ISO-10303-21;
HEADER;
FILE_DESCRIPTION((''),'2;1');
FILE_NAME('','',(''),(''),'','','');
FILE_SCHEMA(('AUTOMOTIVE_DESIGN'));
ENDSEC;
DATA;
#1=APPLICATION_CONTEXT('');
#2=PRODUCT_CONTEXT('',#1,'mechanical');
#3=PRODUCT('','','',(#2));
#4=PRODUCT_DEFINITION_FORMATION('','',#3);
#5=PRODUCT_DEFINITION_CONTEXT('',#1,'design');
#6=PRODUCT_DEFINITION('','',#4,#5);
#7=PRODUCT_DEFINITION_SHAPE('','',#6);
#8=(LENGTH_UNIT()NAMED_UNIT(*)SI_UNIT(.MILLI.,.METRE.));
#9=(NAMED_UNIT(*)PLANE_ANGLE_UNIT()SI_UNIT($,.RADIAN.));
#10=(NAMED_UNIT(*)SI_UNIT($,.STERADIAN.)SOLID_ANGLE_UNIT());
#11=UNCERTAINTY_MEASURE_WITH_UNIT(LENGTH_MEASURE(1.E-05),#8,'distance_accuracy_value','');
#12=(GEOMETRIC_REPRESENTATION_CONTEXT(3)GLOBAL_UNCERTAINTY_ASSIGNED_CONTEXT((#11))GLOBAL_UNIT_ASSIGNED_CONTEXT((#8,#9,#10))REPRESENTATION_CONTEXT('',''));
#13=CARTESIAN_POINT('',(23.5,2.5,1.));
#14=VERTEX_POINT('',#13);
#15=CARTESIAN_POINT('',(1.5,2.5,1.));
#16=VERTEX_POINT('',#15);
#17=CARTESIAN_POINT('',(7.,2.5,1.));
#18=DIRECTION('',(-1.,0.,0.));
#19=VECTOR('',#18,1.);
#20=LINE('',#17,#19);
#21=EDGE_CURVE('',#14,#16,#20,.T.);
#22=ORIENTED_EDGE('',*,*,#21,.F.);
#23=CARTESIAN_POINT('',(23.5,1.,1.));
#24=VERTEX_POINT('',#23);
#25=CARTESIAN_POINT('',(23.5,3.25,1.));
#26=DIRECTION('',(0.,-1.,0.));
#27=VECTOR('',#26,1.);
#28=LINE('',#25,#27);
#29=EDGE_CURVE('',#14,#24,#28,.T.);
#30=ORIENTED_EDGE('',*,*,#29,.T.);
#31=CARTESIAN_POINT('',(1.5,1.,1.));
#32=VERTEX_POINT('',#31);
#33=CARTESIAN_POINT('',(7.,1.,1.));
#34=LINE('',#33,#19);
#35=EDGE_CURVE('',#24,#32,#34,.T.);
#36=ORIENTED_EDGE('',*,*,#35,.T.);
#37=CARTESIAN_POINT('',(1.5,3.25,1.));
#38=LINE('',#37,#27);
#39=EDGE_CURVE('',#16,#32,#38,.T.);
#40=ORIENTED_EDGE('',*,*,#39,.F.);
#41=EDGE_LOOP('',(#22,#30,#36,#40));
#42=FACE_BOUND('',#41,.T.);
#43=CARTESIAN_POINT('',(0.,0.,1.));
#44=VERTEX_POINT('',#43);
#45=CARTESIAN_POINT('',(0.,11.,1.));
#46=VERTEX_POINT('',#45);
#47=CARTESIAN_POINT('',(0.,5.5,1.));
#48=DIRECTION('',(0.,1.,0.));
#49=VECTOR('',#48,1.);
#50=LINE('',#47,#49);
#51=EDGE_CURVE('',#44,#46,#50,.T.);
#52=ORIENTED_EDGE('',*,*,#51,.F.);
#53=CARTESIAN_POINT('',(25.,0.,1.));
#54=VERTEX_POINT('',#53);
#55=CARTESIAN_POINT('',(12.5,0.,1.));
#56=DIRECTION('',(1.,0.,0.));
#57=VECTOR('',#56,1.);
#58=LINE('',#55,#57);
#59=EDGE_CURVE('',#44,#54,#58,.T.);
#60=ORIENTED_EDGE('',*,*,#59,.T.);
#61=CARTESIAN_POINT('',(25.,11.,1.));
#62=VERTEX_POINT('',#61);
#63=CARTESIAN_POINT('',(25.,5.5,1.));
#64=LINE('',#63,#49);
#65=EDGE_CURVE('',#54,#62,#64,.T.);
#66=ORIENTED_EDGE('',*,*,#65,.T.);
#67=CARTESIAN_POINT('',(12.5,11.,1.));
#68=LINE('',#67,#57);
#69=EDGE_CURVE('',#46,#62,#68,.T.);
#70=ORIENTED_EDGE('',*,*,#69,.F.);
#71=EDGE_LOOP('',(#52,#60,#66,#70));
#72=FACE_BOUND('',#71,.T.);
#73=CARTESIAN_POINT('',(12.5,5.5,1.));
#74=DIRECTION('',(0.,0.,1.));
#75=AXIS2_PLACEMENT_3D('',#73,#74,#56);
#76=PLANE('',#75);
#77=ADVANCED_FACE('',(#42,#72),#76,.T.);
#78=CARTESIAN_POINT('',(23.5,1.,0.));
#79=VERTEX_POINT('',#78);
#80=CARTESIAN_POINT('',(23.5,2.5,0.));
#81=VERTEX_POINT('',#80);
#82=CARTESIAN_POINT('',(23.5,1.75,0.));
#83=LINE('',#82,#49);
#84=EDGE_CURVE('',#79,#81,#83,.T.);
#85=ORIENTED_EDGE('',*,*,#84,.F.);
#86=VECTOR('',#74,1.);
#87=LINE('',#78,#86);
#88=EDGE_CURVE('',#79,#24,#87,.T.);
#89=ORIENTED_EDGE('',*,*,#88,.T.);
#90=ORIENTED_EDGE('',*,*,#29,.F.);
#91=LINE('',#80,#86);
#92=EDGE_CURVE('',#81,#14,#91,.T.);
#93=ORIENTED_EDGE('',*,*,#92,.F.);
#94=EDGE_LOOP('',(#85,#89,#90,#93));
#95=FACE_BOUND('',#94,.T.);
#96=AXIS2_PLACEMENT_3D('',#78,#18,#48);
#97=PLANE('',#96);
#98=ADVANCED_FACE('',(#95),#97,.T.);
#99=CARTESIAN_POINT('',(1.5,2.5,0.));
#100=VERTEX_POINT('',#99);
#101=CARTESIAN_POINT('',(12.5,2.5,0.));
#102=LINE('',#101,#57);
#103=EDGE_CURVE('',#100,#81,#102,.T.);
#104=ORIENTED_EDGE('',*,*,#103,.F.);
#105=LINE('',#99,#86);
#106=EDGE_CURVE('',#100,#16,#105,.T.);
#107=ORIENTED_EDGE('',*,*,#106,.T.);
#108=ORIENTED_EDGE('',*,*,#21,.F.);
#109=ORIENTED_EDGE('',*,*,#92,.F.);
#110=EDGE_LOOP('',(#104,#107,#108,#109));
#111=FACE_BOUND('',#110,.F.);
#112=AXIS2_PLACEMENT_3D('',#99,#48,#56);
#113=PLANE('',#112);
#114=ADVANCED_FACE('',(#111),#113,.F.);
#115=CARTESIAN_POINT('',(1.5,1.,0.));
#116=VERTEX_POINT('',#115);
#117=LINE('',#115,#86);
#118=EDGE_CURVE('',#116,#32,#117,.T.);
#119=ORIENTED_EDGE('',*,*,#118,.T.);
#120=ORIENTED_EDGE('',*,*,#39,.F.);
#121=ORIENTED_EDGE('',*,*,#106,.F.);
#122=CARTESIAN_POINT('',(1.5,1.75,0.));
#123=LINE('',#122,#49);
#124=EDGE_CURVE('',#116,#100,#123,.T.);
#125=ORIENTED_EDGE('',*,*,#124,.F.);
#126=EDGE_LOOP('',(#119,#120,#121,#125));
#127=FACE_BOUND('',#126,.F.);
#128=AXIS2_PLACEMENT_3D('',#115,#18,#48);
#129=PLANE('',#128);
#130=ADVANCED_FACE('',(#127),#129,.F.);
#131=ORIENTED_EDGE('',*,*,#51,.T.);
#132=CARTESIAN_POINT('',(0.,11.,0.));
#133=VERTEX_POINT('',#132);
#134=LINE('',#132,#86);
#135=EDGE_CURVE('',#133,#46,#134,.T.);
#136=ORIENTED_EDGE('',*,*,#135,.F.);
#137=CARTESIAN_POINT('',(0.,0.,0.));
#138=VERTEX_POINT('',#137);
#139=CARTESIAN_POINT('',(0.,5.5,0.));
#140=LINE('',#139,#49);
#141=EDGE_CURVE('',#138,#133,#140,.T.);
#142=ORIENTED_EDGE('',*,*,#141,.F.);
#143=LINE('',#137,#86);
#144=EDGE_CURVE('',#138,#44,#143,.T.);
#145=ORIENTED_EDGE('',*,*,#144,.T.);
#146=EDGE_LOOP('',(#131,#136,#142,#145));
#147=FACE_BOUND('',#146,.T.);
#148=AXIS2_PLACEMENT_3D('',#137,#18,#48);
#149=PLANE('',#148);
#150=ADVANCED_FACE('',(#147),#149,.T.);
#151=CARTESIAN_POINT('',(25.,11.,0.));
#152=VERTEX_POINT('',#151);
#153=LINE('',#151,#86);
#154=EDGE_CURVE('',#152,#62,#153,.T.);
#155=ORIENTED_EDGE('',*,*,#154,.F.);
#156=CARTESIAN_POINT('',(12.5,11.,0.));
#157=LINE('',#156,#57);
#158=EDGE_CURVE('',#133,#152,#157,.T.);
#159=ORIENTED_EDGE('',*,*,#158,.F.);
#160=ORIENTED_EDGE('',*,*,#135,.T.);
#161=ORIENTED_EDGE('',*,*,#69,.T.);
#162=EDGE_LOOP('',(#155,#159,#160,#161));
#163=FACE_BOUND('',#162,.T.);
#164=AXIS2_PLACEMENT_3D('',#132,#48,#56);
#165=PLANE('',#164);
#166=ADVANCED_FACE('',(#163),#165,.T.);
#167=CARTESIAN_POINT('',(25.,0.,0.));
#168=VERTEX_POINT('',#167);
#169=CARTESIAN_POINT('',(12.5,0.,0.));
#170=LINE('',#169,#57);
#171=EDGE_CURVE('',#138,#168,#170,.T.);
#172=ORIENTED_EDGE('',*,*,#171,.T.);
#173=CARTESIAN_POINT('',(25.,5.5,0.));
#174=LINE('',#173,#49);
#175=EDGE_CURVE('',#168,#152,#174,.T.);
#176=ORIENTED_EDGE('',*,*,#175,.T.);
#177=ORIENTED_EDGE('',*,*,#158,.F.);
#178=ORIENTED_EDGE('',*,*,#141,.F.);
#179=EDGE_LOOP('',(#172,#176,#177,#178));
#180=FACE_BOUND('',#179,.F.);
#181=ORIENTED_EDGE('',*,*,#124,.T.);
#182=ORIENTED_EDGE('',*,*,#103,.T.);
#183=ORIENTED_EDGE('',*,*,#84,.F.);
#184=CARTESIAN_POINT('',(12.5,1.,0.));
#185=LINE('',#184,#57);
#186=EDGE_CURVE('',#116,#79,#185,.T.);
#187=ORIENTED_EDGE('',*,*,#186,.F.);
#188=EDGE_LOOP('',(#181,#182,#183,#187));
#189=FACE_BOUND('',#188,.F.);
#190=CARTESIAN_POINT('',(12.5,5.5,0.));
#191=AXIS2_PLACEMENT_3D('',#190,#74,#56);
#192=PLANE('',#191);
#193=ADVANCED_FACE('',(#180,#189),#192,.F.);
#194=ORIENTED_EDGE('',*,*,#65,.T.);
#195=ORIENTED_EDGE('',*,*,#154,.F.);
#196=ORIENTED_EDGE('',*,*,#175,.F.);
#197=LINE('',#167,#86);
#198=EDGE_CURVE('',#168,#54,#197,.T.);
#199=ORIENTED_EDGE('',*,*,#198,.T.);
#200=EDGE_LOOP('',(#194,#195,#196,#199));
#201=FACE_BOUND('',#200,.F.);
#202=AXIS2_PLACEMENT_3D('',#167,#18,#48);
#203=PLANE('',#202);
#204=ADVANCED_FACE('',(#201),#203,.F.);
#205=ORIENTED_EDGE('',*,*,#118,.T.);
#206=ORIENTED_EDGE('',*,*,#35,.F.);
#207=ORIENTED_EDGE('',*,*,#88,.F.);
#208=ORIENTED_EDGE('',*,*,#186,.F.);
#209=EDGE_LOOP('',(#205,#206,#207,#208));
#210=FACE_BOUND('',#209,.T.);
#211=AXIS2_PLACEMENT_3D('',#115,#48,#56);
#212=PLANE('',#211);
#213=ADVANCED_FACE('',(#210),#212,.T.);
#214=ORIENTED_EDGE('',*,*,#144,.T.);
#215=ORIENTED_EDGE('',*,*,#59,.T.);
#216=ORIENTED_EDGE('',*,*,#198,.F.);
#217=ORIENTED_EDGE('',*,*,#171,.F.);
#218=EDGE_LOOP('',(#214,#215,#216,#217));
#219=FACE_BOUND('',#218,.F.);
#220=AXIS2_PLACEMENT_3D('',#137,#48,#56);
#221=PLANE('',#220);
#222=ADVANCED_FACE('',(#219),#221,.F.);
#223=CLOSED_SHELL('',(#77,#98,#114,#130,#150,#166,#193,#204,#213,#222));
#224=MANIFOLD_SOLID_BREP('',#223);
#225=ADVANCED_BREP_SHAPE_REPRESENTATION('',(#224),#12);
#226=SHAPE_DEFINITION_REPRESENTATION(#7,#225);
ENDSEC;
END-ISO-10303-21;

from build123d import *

# Parameters (mm, degrees)
BOX117_W     = 22
BOX117_H     = 1.5
BOX117_DEPTH = 2
BOX003_W     = 25
BOX003_H     = 11
BOX003_DEPTH = 1


with BuildPart() as longledhole:
    # Box117 → Box117 (new body)
    with BuildSketch(Plane(origin=(1.5, 1, 0), x_dir=(1, 0, 0), z_dir=(0, 0, 1))):
        with Locations((11, 0.75)):
            Rectangle(BOX117_W, BOX117_H)
    extrude(amount=BOX117_DEPTH)


with BuildPart() as cut017:
    # Box003 → Box003 (new body)
    with BuildSketch(Plane.XY):
        with Locations((12.5, 5.5)):
            Rectangle(BOX003_W, BOX003_H)
    extrude(amount=BOX003_DEPTH)

    # Cut017: cut LongLedHole
    add(longledhole.part, mode=Mode.SUBTRACT)


solid = cut017.part
